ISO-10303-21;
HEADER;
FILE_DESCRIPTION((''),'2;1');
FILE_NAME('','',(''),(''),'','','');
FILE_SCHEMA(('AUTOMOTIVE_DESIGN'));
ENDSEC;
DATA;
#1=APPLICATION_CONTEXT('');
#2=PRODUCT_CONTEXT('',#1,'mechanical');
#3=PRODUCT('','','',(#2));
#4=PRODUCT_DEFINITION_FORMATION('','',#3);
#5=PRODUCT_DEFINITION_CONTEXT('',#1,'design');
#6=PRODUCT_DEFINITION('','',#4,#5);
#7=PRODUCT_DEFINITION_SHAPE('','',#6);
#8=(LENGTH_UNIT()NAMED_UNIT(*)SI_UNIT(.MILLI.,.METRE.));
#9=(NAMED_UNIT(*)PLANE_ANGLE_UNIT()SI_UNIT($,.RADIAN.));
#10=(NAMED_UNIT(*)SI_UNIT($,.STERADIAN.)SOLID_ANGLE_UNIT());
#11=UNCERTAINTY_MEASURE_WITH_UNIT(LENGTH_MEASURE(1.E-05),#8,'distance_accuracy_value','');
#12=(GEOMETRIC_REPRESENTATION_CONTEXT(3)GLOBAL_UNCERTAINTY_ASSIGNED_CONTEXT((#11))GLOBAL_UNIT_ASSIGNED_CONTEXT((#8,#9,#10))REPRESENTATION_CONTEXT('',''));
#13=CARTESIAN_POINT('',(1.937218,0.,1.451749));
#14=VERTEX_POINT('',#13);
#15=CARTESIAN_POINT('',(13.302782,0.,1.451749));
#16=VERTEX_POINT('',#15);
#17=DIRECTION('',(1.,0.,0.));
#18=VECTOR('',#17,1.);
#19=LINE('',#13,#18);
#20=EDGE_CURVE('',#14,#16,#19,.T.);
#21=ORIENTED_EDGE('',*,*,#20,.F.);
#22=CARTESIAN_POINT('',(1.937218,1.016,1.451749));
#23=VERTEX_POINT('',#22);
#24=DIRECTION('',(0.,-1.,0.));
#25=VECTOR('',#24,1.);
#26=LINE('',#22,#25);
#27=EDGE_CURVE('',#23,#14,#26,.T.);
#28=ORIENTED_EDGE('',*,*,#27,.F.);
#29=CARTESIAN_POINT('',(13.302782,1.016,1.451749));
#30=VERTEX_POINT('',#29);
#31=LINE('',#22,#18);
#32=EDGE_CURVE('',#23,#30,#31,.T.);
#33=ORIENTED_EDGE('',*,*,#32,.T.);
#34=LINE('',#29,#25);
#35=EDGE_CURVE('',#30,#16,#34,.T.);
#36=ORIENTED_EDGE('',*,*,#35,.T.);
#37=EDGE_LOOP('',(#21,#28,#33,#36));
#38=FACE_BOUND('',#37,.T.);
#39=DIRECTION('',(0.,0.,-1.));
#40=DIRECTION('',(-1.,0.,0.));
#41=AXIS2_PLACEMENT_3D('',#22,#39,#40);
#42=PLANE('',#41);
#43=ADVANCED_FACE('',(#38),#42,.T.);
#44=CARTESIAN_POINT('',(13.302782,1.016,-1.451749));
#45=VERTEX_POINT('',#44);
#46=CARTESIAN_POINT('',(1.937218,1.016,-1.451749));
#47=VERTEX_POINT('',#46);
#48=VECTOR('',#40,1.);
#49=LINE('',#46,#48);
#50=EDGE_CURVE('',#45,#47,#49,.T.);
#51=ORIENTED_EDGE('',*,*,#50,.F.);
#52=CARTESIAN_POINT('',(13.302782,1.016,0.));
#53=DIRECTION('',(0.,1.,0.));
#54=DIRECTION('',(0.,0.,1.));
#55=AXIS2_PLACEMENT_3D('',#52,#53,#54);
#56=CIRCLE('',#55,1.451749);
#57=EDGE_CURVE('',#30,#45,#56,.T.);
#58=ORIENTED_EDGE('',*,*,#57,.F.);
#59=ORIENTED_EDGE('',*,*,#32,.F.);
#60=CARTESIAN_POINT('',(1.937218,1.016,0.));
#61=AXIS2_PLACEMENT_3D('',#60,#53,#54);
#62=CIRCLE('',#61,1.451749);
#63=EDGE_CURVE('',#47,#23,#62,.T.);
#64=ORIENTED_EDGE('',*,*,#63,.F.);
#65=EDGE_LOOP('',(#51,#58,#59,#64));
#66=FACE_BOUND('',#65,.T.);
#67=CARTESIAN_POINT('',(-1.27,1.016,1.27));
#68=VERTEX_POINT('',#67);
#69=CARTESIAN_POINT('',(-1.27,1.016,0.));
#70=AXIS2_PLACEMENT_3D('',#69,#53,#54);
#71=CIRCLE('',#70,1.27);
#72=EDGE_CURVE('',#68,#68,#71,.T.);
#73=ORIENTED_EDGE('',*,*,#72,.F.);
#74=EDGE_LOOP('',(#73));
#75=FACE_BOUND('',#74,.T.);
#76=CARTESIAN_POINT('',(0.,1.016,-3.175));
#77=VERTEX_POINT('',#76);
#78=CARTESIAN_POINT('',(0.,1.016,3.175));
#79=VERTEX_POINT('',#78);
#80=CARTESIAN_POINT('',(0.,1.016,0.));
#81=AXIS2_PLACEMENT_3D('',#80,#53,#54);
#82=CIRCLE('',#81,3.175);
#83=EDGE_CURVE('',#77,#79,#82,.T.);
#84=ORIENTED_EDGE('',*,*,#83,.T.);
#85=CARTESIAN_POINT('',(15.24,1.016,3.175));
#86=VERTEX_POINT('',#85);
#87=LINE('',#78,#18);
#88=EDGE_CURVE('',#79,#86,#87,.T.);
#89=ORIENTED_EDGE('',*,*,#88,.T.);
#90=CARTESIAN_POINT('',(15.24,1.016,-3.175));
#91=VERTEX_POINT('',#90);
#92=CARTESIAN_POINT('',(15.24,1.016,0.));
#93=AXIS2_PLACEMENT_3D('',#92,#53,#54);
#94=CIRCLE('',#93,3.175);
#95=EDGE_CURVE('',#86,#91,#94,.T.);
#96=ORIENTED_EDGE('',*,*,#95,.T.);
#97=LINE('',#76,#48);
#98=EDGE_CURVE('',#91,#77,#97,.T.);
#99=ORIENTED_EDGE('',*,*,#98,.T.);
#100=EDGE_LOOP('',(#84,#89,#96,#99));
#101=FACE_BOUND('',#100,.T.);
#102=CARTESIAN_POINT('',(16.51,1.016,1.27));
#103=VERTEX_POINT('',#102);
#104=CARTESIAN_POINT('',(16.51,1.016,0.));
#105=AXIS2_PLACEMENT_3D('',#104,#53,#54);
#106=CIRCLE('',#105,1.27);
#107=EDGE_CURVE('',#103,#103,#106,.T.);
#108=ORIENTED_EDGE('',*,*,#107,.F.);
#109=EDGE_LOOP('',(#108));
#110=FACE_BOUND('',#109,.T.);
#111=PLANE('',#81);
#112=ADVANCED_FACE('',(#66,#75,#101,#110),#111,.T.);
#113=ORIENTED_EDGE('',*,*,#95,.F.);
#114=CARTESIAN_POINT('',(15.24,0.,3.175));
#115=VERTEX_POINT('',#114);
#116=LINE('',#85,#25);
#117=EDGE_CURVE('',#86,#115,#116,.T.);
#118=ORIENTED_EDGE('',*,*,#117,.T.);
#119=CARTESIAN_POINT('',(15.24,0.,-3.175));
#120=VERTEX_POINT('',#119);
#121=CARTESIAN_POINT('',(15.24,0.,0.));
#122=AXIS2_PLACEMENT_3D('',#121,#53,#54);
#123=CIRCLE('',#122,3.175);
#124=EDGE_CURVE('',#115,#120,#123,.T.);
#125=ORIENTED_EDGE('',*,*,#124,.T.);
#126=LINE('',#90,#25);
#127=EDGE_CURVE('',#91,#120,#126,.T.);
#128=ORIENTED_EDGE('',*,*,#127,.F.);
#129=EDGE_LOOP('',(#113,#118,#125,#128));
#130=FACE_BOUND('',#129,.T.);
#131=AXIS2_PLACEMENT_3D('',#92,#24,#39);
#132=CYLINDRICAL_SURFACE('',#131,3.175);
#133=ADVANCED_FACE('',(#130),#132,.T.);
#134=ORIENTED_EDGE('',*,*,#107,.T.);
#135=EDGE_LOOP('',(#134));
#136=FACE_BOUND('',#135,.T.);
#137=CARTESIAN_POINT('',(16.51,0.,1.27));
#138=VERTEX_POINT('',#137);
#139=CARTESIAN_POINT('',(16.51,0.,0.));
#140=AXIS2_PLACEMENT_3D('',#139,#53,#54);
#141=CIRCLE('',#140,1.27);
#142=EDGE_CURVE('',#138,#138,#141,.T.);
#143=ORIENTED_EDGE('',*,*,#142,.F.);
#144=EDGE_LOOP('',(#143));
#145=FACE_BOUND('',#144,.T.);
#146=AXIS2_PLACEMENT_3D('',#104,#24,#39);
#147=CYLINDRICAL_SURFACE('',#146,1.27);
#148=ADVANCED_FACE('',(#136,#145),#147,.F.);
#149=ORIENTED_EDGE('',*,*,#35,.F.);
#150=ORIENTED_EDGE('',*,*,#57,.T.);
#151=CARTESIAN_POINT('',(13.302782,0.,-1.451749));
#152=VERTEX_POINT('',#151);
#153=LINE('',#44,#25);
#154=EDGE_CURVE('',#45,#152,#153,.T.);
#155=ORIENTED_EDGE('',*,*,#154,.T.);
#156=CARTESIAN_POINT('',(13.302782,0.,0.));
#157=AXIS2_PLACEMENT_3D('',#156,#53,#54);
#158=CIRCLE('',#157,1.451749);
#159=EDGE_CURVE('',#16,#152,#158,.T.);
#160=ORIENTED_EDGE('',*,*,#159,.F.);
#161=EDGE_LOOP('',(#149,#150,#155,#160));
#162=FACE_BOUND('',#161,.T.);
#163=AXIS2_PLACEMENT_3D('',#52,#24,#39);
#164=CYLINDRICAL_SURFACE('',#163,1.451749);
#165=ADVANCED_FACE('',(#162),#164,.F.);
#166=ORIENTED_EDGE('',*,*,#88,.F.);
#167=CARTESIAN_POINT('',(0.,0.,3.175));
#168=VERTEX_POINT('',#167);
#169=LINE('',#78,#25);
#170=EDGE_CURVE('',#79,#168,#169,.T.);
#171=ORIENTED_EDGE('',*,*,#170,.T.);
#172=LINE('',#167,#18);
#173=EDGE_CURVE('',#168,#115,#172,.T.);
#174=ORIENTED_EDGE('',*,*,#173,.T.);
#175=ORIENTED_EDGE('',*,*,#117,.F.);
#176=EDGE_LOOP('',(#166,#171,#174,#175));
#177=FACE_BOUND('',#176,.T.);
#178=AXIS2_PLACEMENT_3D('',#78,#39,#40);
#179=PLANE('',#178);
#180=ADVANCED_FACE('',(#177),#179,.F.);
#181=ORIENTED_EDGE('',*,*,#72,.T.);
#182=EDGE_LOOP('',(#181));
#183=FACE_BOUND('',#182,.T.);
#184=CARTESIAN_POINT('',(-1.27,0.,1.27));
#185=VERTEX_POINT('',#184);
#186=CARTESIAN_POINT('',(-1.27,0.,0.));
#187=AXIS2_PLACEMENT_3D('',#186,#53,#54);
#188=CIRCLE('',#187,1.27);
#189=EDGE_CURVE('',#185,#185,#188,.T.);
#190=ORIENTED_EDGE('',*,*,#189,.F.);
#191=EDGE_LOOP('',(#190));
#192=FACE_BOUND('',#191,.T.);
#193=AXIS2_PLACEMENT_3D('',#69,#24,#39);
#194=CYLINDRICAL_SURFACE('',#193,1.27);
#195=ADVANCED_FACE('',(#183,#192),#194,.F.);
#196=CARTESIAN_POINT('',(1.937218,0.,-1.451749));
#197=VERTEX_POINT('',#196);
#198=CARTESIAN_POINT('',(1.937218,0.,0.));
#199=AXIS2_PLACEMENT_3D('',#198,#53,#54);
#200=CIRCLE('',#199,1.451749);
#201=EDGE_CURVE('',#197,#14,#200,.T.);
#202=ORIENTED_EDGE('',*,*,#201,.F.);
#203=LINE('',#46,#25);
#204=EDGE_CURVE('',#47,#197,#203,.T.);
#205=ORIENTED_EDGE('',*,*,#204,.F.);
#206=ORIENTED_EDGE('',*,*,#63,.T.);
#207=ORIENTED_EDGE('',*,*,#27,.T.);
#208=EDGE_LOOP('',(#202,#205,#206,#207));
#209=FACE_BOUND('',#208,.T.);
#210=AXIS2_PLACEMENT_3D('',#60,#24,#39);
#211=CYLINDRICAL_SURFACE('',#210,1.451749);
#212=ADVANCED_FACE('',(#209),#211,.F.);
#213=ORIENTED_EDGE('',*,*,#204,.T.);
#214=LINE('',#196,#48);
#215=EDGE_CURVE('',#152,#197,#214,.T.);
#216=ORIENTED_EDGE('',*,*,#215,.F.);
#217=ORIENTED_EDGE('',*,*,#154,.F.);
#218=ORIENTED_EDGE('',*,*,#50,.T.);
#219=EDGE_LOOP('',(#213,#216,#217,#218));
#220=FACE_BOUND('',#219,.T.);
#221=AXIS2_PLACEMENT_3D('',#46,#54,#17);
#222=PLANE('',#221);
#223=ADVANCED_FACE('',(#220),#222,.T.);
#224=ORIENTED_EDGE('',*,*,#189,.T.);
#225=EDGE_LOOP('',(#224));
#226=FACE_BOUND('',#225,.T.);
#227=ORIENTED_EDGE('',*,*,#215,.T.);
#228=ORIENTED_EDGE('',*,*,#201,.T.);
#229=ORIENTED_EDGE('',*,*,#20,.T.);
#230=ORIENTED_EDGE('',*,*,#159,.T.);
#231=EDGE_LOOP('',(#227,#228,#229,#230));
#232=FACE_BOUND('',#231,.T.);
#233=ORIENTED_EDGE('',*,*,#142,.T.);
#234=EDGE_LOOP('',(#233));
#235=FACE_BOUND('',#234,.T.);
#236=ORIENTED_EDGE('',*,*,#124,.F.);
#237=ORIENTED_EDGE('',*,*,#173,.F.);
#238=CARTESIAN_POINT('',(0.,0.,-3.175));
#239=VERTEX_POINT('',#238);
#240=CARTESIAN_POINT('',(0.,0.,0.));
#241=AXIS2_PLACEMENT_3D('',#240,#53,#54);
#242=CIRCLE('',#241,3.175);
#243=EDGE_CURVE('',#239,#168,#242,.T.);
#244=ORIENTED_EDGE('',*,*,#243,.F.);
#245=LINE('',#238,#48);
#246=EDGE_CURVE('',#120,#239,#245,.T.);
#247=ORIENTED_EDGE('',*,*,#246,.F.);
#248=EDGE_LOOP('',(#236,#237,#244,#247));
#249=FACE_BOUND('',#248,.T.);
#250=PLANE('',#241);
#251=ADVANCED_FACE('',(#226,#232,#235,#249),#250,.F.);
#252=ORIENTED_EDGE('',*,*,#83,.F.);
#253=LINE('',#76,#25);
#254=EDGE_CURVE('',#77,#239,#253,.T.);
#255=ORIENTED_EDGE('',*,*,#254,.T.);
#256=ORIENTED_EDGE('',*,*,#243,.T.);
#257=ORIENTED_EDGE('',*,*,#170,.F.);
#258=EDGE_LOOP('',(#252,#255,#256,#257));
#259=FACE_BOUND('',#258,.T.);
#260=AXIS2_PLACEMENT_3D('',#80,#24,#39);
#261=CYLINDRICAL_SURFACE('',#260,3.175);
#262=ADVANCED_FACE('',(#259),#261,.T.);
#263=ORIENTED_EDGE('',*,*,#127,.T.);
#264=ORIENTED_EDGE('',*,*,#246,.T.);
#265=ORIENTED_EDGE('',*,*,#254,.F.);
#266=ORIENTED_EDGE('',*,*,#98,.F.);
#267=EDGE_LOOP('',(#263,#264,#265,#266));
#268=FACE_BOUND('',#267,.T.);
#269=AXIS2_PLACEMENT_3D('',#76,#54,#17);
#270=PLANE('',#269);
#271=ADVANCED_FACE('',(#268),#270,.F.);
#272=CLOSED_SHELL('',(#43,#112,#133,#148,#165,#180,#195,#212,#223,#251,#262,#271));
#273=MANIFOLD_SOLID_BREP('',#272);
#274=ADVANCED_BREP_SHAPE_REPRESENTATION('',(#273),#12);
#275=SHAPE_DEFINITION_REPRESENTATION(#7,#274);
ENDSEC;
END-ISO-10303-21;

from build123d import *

# Parameters (mm, degrees)
SKETCH1_R           = 1.27
BOSS_EXTRUDE4_DEPTH = 1.016


with BuildPart() as part:
    # Sketch1 → Boss-Extrude4 (new body)
    with BuildSketch(Plane(origin=(0, 0, 0), x_dir=(1, 0, 0), z_dir=(0, 1, 0))):
        with BuildLine():
            Line((0, 3.175), (15.24, 3.175))
            ThreePointArc((15.24, 3.175), (18.415, 0), (15.24, -3.175))
            Line((15.24, -3.175), (0, -3.175))
            ThreePointArc((0, -3.175), (-3.175, 0), (0, 3.175))
        make_face()
        with Locations((-1.27, 0)):
            Circle(SKETCH1_R, mode=Mode.SUBTRACT)
        with Locations((16.51, 0)):
            Circle(SKETCH1_R, mode=Mode.SUBTRACT)
        with BuildLine():
            Line((1.937217735, 1.451749021), (13.302782265, 1.451749021))
            ThreePointArc((13.302782265, 1.451749021), (14.754531286, 0), (13.302782265, -1.451749021))
            Line((13.302782265, -1.451749021), (1.937217735, -1.451749021))
            ThreePointArc((1.937217735, -1.451749021), (0.485468714, 0), (1.937217735, 1.451749021))
        make_face(mode=Mode.SUBTRACT)
    extrude(amount=BOSS_EXTRUDE4_DEPTH)


solid = part.part
